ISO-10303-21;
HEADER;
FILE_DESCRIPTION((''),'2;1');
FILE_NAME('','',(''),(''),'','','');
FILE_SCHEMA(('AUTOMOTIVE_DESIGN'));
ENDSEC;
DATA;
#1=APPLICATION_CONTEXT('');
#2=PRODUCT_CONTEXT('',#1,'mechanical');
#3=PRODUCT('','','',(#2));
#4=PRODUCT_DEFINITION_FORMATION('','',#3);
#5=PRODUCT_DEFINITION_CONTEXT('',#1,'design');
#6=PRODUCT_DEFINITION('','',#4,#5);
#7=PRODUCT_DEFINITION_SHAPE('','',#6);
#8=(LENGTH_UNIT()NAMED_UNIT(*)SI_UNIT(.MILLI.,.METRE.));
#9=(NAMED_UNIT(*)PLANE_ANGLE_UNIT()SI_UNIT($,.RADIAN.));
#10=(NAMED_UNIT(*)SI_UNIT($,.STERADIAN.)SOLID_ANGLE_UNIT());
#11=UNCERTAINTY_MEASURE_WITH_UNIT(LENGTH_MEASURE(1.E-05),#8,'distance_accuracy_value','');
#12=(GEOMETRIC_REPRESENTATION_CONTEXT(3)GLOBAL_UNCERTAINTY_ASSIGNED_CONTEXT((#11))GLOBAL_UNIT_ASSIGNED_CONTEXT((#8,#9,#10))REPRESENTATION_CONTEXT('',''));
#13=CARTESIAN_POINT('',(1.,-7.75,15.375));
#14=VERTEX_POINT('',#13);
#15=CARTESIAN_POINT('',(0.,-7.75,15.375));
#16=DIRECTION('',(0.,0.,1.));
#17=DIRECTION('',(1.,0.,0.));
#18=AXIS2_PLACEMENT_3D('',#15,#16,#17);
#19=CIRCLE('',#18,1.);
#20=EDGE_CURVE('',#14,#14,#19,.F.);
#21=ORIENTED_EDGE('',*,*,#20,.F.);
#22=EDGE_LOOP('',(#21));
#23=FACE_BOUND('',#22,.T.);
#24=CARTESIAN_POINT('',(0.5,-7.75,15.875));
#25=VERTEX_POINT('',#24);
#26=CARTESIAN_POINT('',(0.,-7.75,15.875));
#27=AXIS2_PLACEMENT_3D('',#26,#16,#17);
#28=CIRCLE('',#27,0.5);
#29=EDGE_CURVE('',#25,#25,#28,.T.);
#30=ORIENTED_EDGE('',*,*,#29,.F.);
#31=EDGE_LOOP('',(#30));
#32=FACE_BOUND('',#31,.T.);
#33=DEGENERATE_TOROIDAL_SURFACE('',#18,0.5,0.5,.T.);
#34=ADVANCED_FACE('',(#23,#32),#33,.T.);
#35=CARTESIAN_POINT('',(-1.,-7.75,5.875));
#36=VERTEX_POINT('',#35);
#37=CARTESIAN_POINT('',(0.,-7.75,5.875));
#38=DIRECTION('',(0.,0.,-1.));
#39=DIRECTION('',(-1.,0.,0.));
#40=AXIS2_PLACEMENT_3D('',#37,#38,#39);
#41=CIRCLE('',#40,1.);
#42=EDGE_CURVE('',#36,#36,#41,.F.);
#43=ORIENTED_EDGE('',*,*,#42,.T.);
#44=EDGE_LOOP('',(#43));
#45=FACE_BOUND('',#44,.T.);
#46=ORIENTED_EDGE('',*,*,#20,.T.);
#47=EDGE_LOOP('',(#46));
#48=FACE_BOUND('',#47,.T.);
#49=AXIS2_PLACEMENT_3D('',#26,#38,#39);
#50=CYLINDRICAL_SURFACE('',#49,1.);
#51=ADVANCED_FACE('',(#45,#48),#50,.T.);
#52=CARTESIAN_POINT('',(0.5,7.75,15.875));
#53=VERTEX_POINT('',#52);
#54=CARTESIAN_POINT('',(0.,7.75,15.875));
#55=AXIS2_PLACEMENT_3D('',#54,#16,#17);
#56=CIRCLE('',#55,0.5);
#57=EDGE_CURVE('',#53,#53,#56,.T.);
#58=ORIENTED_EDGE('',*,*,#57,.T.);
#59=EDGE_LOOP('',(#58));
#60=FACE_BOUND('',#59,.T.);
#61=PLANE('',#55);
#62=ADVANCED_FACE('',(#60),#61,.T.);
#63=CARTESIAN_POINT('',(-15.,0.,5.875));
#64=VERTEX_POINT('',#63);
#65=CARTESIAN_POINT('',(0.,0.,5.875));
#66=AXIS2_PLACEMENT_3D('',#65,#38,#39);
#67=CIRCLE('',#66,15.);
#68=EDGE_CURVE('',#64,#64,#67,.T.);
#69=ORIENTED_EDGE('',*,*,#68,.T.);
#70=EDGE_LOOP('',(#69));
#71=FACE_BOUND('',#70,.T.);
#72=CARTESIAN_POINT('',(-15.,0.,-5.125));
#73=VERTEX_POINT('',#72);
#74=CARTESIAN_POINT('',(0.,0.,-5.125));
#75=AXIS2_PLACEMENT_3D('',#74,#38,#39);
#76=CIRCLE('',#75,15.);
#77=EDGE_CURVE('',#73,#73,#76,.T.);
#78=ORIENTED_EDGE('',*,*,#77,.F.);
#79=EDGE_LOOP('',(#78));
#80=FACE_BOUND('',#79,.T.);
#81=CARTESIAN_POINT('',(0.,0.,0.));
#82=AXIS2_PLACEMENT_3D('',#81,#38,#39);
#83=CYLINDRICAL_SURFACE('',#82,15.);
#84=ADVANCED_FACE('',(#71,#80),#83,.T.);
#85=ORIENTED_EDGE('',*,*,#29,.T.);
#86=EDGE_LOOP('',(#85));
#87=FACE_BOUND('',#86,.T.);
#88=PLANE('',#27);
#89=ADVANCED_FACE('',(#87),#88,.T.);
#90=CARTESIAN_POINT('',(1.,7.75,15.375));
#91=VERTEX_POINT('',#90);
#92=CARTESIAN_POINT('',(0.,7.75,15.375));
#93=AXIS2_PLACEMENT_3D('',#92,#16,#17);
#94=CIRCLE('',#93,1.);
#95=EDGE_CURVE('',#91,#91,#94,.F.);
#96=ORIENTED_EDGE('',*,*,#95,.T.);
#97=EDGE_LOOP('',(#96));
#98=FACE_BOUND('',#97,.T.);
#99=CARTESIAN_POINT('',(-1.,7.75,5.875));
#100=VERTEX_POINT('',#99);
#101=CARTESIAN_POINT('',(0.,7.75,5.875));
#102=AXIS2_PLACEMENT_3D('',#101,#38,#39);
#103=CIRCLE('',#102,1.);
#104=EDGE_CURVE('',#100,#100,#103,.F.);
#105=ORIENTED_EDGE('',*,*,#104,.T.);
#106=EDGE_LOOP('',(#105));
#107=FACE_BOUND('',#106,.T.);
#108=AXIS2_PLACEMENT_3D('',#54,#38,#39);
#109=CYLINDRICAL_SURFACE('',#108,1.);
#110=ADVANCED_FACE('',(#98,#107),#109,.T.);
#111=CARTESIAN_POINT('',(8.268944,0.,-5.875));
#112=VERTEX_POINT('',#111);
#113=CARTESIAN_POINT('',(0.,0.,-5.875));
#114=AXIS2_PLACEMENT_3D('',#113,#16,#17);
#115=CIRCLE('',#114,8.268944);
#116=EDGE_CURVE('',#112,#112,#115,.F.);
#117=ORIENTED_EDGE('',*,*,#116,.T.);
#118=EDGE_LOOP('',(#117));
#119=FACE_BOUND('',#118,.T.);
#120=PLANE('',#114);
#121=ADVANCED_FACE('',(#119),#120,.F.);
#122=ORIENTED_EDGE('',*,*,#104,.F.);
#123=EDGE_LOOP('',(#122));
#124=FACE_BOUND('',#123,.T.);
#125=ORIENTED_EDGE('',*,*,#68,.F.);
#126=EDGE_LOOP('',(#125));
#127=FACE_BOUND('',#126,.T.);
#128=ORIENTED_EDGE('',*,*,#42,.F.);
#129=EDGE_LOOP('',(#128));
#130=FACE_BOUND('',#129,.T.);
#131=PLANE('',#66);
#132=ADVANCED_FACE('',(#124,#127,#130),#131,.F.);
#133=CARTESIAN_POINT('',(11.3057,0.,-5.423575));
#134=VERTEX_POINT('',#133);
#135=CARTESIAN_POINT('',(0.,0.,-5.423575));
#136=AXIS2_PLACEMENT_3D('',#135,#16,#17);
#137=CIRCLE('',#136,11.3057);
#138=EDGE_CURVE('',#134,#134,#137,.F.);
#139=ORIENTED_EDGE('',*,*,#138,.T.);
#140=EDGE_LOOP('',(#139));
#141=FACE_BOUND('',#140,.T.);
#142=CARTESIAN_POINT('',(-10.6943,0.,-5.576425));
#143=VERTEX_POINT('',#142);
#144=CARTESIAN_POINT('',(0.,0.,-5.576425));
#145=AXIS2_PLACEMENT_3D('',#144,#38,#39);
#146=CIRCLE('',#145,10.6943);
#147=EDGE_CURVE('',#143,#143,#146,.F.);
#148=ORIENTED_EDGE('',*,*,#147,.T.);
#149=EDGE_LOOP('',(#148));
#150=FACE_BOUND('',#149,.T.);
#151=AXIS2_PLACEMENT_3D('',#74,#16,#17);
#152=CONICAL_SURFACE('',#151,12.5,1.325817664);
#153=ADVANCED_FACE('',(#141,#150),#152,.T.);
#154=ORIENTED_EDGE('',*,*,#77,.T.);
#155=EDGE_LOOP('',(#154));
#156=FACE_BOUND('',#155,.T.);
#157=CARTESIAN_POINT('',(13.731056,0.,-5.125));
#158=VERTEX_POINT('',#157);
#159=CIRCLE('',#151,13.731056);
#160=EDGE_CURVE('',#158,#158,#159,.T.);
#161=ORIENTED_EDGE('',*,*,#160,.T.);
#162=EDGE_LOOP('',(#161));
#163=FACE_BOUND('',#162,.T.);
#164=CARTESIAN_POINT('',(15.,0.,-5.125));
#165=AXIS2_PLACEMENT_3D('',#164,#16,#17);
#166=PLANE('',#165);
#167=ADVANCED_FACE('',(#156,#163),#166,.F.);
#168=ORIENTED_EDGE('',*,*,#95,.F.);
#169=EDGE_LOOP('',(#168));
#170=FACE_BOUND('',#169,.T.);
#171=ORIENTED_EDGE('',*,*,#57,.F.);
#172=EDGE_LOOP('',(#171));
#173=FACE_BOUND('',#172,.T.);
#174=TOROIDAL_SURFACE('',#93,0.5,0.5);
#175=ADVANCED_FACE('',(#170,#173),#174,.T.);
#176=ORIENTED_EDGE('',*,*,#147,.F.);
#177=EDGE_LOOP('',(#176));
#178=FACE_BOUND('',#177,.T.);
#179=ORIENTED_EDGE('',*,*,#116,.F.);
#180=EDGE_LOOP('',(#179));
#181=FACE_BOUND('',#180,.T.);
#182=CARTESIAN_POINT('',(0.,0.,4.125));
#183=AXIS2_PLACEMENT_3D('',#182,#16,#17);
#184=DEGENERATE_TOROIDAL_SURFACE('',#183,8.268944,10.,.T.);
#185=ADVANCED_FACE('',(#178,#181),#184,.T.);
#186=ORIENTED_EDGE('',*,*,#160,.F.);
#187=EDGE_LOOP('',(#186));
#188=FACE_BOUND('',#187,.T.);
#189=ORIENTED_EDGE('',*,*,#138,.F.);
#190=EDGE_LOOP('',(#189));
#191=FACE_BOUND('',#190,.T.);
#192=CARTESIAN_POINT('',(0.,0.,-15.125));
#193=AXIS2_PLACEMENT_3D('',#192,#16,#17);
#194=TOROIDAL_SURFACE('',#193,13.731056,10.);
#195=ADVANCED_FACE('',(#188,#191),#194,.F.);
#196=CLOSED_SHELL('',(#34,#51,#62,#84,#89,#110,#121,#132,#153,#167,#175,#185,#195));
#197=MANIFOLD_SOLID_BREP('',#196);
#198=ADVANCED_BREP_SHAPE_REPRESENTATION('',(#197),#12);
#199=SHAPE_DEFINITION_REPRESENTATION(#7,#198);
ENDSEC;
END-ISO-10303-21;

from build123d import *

# Parameters (mm, degrees)
FILLET1_R           = 10
SKETCH3_R           = 1
BOSS_EXTRUDE1_DEPTH = 10
FILLET2_R           = 0.5


with BuildPart() as part:
    # Sketch2 → Revolve1 (revolve)
    with BuildSketch(Plane(origin=(0, 0, 0), x_dir=(1, 0, 0), z_dir=(0, 1, 0))):
        with BuildLine():
            Line((0, -5.875), (15, -5.875))
            Line((15, -5.875), (15, 5.125))
            Line((15, 5.125), (12.5, 5.125))
            add(Edge.make_bspline(
                [(12.5, 5.125), (9.5, 5.875)],
                knots=[0, 0, 1, 1], degree=1))
            Line((9.5, 5.875), (0, 5.875))
            Line((0, 5.875), (0, -5.875))
        make_face()
    revolve(axis=Axis((0, 0, 0), (0, 0, 1)))

    # Fillet1
    fillet1_edges = [part.edges().sort_by_distance(p)[0] for p in [
        (-12.5, 0, -5.125),
        (-9.5, 0, -5.875),
    ]]
    fillet(fillet1_edges, radius=FILLET1_R)

    # Sketch3 → Boss-Extrude1 (add)
    with BuildSketch(Plane.XY.offset(5.875)):
        with Locations((0, 7.75)):
            Circle(SKETCH3_R)
        with Locations((0, -7.75)):
            Circle(SKETCH3_R)
    extrude(amount=BOSS_EXTRUDE1_DEPTH)

    # Fillet2
    fillet2_edges = [part.edges().sort_by_distance(p)[0] for p in [
        (-1, 7.75, 15.875),
        (-1, -7.75, 15.875),
    ]]
    fillet(fillet2_edges, radius=FILLET2_R)


solid = part.part
